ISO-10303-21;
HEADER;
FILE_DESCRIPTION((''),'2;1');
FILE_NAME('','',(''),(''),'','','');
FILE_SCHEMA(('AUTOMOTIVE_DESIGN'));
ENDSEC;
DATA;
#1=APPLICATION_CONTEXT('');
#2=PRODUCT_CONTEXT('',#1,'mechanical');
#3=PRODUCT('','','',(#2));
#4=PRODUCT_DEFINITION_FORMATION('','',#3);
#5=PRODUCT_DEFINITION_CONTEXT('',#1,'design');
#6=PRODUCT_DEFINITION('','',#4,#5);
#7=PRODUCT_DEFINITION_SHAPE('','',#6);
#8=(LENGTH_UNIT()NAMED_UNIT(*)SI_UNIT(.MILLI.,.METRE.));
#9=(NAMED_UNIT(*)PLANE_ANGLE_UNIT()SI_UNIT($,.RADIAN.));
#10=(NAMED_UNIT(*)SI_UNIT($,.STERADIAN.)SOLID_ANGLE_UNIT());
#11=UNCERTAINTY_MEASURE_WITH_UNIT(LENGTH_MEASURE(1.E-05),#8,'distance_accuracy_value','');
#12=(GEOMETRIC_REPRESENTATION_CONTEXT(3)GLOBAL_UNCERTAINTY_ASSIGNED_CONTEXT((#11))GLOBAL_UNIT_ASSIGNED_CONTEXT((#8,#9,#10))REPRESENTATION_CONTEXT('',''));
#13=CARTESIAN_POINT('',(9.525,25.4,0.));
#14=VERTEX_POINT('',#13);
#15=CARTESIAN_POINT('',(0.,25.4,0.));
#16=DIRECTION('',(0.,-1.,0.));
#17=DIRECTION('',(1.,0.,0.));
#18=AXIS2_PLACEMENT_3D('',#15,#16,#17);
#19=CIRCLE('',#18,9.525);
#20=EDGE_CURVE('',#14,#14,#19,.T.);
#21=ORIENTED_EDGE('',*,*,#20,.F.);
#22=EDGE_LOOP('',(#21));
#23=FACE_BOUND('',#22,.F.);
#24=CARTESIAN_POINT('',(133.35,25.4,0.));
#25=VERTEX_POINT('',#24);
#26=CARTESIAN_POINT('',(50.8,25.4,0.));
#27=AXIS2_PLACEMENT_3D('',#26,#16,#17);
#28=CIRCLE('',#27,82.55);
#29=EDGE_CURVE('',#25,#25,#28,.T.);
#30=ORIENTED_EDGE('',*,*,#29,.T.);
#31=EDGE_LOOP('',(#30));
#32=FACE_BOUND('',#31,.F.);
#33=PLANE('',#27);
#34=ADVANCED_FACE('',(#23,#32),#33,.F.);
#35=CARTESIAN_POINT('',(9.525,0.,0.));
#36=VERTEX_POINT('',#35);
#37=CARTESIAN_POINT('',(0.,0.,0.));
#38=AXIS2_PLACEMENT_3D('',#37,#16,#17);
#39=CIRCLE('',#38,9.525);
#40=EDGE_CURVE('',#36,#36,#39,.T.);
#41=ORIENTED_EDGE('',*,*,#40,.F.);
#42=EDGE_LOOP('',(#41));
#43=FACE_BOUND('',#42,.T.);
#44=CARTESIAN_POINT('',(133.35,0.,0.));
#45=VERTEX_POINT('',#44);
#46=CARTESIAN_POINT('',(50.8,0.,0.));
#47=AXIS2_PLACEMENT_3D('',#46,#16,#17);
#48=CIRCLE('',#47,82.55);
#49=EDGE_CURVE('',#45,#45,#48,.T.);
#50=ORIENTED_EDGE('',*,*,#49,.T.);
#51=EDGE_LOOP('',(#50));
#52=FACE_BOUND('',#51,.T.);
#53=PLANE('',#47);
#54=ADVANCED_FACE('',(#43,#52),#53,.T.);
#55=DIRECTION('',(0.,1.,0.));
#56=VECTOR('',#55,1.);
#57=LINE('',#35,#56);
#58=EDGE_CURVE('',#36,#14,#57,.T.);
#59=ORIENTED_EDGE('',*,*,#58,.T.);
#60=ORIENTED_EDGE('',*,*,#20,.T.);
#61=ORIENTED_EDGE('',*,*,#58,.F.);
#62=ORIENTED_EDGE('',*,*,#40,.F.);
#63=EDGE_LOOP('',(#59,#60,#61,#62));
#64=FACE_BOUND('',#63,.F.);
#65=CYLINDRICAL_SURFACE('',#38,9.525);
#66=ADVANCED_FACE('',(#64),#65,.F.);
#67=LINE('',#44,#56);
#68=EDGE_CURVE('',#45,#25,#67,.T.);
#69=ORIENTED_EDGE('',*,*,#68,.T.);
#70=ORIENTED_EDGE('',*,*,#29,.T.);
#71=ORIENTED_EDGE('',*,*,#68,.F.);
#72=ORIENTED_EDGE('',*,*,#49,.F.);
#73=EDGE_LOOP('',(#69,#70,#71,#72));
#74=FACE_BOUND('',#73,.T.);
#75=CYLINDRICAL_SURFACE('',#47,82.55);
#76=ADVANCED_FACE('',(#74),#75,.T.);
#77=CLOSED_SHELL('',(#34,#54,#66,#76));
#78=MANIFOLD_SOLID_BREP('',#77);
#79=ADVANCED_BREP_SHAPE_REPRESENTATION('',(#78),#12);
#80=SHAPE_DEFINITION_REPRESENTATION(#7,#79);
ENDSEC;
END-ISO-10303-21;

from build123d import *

# Parameters (mm, degrees)
F0_R     = 82.55
F0_R_2   = 9.525
F1_DEPTH = 25.4


with BuildPart() as f1:
    # F0 (on Front) → F1 (new body)
    with BuildSketch(Plane.XZ):
        with Locations((50.8, 0)):
            Circle(F0_R)
        Circle(F0_R_2, mode=Mode.SUBTRACT)
    extrude(amount=-F1_DEPTH)


solid = f1.part
